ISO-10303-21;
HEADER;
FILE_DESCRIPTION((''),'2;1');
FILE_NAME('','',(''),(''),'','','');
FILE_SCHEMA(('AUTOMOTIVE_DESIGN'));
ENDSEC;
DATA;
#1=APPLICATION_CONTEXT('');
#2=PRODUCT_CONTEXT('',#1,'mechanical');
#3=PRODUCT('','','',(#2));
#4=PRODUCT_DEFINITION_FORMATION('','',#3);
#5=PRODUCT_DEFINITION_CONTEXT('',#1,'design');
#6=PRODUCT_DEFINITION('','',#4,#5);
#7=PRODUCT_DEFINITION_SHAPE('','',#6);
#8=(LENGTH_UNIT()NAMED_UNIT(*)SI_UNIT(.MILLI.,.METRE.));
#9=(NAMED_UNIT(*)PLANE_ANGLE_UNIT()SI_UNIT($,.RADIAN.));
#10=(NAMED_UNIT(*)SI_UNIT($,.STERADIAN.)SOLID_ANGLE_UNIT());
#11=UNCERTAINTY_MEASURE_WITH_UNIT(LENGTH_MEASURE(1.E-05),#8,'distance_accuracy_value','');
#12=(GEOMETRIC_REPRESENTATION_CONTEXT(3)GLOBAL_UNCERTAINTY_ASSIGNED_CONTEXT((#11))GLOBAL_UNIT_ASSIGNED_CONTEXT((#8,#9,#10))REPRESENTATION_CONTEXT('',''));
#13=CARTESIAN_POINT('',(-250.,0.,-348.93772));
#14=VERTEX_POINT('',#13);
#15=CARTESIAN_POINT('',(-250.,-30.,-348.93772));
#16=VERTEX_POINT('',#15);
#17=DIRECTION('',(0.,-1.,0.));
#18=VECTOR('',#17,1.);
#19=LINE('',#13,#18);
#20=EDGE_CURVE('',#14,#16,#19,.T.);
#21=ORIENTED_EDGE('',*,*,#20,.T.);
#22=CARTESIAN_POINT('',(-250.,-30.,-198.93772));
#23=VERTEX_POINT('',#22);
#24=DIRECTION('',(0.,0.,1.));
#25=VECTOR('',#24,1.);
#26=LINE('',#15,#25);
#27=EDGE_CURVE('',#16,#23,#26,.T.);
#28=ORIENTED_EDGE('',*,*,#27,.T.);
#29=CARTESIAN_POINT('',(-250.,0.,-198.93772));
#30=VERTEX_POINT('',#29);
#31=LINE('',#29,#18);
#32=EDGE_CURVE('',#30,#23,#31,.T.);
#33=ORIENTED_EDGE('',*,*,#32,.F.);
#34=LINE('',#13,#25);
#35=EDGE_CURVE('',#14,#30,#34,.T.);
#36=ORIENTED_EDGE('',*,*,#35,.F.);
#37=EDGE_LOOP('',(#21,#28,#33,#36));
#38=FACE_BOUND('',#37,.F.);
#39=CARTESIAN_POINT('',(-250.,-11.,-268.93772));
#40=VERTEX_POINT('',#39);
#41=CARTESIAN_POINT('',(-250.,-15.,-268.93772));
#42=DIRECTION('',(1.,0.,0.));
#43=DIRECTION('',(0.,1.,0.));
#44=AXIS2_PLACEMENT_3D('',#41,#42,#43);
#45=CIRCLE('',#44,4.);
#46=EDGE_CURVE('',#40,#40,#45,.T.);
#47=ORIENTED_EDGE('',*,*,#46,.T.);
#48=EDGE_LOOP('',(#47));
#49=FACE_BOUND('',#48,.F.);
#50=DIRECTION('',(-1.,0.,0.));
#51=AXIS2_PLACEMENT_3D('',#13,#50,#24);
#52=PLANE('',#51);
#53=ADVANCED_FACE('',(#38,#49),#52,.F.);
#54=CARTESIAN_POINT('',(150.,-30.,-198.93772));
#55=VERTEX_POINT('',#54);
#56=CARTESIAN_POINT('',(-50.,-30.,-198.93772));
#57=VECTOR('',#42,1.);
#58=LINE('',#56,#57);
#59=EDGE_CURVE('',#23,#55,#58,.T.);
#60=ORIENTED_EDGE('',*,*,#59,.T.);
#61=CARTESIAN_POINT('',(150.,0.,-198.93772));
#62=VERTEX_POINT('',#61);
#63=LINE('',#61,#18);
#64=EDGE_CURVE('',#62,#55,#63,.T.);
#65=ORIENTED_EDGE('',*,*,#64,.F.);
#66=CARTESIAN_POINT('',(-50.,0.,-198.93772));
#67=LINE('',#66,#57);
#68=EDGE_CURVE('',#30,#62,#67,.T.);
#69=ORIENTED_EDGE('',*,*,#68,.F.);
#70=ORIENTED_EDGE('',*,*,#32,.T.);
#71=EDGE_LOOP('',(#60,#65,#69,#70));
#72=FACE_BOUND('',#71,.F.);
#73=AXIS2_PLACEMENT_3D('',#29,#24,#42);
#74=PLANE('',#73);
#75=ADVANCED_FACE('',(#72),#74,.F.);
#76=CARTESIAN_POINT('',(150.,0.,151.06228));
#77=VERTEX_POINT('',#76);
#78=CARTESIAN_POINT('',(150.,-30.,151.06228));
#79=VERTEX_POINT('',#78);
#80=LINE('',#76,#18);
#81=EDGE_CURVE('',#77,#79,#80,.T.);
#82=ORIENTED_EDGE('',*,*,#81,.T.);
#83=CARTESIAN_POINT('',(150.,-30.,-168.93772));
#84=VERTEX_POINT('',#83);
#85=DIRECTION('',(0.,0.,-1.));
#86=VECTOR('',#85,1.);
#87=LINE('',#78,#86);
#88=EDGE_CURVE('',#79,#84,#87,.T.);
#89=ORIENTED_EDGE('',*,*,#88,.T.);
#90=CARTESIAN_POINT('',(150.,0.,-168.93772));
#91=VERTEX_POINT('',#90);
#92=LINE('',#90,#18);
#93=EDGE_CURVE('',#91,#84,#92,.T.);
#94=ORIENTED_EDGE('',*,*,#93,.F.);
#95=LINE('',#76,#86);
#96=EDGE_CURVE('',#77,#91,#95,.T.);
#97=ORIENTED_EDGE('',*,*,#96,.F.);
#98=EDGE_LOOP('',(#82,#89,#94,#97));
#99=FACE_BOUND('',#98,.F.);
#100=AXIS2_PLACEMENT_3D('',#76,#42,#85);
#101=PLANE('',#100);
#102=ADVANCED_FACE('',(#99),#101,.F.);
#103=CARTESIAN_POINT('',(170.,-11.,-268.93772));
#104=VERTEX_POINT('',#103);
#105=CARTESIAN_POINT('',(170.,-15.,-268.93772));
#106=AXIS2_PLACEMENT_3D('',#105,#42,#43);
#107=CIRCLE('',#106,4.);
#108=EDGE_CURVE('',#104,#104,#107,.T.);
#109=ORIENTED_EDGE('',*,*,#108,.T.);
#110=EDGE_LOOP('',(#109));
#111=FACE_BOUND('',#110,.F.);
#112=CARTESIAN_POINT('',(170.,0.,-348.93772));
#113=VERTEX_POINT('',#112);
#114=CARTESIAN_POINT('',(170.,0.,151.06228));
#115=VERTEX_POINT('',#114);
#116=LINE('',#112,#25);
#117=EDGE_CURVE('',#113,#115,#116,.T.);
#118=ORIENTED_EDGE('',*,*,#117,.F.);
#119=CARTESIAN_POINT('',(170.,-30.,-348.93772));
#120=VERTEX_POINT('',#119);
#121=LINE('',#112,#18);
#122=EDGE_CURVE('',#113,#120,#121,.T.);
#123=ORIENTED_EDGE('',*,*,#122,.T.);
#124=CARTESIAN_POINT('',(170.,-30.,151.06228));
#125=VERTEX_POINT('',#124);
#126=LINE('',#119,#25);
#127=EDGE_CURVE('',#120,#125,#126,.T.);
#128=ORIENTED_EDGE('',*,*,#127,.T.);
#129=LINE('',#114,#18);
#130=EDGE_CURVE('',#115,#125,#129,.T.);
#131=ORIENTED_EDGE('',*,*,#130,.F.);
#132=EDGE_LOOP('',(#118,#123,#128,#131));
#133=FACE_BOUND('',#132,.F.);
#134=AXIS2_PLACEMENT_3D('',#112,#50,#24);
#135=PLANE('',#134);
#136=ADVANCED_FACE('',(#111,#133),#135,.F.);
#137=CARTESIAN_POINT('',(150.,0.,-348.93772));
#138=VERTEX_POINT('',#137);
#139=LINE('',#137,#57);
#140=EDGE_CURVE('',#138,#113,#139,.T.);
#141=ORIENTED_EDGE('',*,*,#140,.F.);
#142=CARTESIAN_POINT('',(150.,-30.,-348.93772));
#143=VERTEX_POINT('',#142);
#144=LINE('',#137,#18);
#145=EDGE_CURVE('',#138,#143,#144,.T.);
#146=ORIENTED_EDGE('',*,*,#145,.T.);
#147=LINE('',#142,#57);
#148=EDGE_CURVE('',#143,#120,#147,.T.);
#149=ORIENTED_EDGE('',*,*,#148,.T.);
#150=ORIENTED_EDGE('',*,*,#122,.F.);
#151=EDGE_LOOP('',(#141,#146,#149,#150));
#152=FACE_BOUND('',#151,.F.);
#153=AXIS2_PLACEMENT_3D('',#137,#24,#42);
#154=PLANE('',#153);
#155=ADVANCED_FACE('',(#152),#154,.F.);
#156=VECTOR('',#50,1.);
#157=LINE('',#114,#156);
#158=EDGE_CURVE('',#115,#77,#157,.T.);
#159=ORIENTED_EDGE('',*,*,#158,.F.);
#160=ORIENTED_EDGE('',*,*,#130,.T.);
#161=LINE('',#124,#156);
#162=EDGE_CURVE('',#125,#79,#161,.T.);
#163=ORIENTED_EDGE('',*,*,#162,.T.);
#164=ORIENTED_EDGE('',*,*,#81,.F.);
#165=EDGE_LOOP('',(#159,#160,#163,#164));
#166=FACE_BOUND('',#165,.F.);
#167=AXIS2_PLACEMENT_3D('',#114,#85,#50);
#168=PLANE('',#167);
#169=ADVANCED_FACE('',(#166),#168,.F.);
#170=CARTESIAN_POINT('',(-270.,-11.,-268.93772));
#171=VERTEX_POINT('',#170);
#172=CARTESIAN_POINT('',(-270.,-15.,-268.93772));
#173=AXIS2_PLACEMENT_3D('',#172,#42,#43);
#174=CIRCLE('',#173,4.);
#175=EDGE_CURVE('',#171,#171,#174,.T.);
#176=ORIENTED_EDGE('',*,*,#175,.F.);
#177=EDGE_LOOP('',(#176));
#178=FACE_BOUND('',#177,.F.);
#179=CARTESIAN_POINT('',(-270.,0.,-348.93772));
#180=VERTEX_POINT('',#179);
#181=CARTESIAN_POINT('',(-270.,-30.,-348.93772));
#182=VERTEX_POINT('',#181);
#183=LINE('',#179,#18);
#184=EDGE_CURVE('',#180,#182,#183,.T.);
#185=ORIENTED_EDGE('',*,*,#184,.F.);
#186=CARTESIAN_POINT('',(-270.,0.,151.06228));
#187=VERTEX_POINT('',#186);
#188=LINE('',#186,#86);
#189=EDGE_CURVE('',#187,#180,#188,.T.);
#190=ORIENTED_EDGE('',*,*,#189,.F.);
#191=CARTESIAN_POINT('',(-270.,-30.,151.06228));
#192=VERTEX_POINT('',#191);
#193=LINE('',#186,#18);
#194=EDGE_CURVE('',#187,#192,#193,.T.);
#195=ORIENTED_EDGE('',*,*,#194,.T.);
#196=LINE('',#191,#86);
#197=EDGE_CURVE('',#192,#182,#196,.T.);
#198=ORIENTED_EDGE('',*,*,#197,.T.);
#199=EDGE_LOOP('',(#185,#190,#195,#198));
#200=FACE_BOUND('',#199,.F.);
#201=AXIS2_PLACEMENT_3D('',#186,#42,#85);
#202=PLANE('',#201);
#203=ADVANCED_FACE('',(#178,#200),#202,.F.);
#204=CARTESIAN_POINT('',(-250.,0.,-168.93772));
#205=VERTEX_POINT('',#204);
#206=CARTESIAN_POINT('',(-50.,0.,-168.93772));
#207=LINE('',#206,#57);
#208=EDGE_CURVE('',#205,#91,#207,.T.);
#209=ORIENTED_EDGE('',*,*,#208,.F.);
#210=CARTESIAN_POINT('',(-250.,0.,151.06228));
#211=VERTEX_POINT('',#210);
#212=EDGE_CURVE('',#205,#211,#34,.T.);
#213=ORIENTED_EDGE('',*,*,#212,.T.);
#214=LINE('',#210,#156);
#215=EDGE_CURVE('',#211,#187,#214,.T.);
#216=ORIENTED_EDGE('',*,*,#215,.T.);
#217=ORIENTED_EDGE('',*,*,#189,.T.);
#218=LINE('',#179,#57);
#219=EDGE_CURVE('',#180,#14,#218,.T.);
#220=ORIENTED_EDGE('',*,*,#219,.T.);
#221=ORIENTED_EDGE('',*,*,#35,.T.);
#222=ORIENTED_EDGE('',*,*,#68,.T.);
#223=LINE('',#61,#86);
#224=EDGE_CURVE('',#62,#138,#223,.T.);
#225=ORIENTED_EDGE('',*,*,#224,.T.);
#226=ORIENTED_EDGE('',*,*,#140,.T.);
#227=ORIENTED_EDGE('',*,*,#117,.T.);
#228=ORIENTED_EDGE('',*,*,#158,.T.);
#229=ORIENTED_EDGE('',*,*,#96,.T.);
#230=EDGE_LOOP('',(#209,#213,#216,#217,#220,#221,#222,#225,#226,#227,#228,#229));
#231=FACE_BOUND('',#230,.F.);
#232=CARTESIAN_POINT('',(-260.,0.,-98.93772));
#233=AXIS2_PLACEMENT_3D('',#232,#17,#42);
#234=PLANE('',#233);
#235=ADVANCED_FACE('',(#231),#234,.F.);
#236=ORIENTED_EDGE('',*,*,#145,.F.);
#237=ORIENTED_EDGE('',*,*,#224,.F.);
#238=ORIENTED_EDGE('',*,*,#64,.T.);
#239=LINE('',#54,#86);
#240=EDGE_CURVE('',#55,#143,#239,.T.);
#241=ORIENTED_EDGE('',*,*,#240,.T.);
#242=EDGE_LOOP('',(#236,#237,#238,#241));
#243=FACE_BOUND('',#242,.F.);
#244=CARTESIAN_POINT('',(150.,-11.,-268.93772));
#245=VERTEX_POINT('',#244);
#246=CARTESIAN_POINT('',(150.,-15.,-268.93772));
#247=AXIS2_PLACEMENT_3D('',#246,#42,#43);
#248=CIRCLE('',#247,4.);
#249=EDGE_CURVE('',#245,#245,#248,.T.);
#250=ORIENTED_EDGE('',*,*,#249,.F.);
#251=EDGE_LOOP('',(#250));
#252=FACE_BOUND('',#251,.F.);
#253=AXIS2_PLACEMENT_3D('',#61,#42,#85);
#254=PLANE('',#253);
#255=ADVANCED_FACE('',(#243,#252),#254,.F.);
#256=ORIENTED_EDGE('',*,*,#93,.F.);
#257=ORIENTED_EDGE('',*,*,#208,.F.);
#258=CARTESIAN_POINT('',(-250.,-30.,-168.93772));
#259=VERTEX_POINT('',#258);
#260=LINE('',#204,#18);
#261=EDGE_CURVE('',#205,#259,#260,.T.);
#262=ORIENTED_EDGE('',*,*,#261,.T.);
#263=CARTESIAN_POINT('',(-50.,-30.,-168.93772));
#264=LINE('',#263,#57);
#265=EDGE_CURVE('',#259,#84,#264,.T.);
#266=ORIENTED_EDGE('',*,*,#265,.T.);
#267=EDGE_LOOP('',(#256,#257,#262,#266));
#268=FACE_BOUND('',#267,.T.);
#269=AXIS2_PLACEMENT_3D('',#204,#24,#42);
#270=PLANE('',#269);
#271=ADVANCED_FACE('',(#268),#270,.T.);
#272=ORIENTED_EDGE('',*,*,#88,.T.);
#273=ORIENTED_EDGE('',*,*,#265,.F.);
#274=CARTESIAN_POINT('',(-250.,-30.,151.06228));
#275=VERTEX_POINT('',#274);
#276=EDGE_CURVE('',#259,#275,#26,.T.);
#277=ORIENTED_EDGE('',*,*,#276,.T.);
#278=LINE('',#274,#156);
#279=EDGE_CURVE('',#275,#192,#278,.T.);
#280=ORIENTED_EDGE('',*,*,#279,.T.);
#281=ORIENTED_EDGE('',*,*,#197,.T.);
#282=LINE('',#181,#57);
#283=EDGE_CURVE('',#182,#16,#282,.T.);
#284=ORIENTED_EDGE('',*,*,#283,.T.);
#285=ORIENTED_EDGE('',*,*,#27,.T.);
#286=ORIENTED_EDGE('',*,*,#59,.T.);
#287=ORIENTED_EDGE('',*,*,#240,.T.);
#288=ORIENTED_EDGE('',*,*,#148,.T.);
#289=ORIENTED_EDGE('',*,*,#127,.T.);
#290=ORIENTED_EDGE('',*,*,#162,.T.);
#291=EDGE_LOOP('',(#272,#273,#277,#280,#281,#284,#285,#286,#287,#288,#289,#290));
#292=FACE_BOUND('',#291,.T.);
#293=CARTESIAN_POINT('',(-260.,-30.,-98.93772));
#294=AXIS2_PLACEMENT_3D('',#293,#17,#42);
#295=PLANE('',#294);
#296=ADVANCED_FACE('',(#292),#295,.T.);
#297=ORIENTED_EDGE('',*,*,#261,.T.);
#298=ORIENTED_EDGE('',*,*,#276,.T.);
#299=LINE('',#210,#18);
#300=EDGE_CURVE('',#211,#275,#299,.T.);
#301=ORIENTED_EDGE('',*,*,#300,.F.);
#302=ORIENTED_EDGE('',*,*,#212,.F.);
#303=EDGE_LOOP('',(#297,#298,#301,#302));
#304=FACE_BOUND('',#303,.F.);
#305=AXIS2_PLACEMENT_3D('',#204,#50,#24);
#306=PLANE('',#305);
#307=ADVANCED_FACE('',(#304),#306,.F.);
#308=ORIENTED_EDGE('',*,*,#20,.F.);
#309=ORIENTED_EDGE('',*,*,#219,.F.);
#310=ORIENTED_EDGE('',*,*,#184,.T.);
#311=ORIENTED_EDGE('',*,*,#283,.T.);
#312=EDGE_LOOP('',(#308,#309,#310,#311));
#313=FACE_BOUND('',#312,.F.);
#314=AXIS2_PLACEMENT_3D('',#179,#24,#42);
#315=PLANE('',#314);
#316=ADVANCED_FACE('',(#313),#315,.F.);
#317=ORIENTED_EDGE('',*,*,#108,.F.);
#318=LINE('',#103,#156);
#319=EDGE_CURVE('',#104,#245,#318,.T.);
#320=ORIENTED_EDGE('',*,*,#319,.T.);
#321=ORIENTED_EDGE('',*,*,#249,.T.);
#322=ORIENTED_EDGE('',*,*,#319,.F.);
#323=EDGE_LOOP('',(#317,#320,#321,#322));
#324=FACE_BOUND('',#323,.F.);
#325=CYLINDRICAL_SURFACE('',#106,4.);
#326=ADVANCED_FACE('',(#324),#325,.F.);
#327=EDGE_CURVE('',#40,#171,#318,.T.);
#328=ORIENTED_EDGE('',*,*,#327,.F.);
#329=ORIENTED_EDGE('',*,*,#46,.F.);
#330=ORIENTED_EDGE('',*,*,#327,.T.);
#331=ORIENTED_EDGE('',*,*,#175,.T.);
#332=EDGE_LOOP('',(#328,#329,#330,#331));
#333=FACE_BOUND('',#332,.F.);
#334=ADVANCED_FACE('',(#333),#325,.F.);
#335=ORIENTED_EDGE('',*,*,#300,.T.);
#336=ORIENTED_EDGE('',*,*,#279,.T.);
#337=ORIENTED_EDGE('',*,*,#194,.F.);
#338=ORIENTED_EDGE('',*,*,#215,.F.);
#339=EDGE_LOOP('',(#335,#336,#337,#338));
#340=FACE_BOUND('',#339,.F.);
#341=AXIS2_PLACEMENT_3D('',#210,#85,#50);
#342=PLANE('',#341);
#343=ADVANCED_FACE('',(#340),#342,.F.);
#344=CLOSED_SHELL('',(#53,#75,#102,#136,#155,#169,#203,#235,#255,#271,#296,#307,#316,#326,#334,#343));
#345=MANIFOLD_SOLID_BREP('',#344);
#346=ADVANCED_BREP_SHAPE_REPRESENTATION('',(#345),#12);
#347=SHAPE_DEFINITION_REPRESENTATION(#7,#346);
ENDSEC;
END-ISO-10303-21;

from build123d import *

# Parameters (mm, degrees)
F0_W     = 400
F0_H     = 30
F1_DEPTH = 30
F2_R     = 4
F3_DEPTH = 440.001


with BuildPart() as f1:
    # F0 (on Front) → F1 (new body)
    with BuildSketch(Plane.XZ):
        Polygon((-250, 151.06228), (-270, 151.06228), (-270, -348.93772), (-250, -348.93772), (-250, -198.93772), (-250, -168.93772), align=None)
        with Locations((-50, -183.93772)):
            Rectangle(F0_W, F0_H)
        Polygon((150, 151.06228), (150, -168.93772), (150, -198.93772), (150, -348.93772), (170, -348.93772), (170, 151.06228), align=None)
    extrude(amount=F1_DEPTH)

    # F2 (on face) → F3 (cut, through all)
    with BuildSketch(Plane.YZ.offset(170)):
        with Locations((-15, -268.93772)):
            Circle(F2_R)
    extrude(amount=-F3_DEPTH, mode=Mode.SUBTRACT)


solid = f1.part
